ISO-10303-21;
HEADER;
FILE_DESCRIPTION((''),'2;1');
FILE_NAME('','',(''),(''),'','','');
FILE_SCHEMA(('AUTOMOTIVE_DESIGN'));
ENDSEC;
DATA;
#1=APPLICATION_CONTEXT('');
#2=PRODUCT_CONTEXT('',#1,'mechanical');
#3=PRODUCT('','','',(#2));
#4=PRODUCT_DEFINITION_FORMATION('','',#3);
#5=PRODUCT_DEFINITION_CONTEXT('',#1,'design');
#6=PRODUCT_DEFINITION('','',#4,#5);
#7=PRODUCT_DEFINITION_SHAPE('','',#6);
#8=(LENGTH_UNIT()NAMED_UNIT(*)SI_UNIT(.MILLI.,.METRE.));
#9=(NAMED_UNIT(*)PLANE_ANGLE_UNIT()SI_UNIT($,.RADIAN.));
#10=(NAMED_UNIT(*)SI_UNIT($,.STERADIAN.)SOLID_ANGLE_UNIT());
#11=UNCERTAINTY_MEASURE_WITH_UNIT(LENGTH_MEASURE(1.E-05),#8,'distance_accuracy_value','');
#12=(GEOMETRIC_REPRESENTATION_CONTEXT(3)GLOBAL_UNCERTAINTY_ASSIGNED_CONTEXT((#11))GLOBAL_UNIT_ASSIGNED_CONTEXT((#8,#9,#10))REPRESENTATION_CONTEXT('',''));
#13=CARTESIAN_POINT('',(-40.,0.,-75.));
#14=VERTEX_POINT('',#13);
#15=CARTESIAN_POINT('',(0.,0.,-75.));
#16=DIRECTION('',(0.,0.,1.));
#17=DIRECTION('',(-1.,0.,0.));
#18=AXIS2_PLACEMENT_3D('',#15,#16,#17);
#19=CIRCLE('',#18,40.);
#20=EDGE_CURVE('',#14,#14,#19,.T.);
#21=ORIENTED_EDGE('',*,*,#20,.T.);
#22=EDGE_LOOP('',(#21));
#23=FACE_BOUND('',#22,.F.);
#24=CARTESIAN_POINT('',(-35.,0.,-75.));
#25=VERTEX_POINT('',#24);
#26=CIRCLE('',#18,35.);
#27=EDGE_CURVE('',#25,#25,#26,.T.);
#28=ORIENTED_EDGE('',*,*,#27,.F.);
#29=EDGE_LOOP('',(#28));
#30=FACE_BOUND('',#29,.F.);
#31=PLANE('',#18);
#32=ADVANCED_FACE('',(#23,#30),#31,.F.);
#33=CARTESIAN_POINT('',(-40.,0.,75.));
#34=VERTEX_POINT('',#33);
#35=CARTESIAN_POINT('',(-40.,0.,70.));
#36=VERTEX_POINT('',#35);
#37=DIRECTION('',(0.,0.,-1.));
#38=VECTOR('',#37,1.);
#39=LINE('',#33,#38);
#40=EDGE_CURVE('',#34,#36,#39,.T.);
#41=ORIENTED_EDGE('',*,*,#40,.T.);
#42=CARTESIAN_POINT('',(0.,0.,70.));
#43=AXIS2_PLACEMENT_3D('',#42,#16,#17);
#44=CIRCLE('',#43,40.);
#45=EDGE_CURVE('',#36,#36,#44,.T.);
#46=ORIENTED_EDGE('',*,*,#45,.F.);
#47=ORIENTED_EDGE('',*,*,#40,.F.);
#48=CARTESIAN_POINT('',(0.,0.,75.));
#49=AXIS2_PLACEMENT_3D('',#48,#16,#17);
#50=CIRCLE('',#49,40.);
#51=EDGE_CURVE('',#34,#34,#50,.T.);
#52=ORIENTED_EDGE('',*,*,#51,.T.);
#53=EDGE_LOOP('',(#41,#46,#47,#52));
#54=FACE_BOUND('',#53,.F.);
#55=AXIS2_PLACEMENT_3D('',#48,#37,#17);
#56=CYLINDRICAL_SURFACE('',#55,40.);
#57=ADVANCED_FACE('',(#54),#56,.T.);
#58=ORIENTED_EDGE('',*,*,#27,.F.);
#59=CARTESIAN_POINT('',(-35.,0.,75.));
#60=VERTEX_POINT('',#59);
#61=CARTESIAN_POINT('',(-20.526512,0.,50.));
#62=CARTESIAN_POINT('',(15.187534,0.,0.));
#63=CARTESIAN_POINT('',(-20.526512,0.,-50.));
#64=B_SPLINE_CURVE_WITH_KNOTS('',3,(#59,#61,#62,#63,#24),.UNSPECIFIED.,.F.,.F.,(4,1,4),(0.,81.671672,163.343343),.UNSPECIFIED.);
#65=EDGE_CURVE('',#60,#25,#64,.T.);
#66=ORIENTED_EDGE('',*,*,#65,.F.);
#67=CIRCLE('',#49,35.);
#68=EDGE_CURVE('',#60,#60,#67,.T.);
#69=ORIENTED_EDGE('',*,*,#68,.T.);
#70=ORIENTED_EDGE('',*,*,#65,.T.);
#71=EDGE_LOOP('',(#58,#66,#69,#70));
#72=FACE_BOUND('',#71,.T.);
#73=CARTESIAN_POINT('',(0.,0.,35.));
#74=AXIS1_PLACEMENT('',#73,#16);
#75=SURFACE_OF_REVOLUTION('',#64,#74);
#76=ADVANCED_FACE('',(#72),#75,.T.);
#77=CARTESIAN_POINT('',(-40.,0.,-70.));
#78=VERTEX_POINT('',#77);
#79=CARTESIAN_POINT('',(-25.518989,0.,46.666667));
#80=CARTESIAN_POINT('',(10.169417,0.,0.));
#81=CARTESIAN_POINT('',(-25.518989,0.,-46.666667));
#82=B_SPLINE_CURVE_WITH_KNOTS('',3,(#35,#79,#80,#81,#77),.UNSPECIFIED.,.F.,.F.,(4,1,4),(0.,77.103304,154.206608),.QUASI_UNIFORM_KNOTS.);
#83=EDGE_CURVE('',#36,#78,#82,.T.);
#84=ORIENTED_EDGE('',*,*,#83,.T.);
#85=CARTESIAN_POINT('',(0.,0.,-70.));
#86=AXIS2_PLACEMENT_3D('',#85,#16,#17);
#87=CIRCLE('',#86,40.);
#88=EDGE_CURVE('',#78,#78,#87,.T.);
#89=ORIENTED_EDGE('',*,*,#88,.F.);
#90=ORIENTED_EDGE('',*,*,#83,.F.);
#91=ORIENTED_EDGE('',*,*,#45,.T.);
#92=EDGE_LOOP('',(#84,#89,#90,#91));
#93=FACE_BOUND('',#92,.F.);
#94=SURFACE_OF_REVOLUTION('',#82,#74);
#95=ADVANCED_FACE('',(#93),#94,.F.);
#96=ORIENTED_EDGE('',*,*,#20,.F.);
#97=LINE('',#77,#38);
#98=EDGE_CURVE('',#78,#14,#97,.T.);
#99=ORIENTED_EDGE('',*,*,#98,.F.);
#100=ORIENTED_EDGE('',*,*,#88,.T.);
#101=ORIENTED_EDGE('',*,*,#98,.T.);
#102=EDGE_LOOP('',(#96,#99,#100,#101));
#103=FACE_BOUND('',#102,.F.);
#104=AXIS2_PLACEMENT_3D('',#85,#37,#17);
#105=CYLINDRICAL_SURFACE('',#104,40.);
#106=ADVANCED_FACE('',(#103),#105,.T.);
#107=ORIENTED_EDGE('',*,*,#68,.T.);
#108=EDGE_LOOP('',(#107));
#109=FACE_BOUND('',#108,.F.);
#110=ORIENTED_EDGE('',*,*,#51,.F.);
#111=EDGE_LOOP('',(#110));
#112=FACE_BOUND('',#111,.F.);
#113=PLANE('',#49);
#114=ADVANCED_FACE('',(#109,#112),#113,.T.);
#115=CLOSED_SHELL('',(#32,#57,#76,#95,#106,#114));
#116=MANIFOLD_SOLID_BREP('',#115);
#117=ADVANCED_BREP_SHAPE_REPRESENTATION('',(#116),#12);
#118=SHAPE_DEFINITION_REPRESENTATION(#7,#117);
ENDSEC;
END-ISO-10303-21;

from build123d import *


with BuildPart() as f1:
    # F0 (on Front) → F1 (revolve)
    with BuildSketch(Plane.XZ):
        with BuildLine():
            Line((-40, 75), (-40, 70))
            add(Edge.make_bspline(
                [(-40, 70), (-25.518989, 46.666667), (10.169417, 0), (-25.518989, -46.666667), (-40, -70)],
                knots=[0, 0, 0, 0, 77.103304, 154.206608, 154.206608, 154.206608, 154.206608], degree=3))
            Line((-40, -70), (-40, -75))
            Line((-40, -75), (-35, -75))
            add(Edge.make_bspline(
                [(-35, 75), (-20.526512, 50), (15.187534, 0), (-20.526512, -50), (-35, -75)],
                knots=[0, 0, 0, 0, 81.671672, 163.343343, 163.343343, 163.343343, 163.343343], degree=3))
            Line((-35, 75), (-40, 75))
        make_face()
    revolve(axis=Axis((0, 0, 35), (0, 0, 1)))


solid = f1.part
